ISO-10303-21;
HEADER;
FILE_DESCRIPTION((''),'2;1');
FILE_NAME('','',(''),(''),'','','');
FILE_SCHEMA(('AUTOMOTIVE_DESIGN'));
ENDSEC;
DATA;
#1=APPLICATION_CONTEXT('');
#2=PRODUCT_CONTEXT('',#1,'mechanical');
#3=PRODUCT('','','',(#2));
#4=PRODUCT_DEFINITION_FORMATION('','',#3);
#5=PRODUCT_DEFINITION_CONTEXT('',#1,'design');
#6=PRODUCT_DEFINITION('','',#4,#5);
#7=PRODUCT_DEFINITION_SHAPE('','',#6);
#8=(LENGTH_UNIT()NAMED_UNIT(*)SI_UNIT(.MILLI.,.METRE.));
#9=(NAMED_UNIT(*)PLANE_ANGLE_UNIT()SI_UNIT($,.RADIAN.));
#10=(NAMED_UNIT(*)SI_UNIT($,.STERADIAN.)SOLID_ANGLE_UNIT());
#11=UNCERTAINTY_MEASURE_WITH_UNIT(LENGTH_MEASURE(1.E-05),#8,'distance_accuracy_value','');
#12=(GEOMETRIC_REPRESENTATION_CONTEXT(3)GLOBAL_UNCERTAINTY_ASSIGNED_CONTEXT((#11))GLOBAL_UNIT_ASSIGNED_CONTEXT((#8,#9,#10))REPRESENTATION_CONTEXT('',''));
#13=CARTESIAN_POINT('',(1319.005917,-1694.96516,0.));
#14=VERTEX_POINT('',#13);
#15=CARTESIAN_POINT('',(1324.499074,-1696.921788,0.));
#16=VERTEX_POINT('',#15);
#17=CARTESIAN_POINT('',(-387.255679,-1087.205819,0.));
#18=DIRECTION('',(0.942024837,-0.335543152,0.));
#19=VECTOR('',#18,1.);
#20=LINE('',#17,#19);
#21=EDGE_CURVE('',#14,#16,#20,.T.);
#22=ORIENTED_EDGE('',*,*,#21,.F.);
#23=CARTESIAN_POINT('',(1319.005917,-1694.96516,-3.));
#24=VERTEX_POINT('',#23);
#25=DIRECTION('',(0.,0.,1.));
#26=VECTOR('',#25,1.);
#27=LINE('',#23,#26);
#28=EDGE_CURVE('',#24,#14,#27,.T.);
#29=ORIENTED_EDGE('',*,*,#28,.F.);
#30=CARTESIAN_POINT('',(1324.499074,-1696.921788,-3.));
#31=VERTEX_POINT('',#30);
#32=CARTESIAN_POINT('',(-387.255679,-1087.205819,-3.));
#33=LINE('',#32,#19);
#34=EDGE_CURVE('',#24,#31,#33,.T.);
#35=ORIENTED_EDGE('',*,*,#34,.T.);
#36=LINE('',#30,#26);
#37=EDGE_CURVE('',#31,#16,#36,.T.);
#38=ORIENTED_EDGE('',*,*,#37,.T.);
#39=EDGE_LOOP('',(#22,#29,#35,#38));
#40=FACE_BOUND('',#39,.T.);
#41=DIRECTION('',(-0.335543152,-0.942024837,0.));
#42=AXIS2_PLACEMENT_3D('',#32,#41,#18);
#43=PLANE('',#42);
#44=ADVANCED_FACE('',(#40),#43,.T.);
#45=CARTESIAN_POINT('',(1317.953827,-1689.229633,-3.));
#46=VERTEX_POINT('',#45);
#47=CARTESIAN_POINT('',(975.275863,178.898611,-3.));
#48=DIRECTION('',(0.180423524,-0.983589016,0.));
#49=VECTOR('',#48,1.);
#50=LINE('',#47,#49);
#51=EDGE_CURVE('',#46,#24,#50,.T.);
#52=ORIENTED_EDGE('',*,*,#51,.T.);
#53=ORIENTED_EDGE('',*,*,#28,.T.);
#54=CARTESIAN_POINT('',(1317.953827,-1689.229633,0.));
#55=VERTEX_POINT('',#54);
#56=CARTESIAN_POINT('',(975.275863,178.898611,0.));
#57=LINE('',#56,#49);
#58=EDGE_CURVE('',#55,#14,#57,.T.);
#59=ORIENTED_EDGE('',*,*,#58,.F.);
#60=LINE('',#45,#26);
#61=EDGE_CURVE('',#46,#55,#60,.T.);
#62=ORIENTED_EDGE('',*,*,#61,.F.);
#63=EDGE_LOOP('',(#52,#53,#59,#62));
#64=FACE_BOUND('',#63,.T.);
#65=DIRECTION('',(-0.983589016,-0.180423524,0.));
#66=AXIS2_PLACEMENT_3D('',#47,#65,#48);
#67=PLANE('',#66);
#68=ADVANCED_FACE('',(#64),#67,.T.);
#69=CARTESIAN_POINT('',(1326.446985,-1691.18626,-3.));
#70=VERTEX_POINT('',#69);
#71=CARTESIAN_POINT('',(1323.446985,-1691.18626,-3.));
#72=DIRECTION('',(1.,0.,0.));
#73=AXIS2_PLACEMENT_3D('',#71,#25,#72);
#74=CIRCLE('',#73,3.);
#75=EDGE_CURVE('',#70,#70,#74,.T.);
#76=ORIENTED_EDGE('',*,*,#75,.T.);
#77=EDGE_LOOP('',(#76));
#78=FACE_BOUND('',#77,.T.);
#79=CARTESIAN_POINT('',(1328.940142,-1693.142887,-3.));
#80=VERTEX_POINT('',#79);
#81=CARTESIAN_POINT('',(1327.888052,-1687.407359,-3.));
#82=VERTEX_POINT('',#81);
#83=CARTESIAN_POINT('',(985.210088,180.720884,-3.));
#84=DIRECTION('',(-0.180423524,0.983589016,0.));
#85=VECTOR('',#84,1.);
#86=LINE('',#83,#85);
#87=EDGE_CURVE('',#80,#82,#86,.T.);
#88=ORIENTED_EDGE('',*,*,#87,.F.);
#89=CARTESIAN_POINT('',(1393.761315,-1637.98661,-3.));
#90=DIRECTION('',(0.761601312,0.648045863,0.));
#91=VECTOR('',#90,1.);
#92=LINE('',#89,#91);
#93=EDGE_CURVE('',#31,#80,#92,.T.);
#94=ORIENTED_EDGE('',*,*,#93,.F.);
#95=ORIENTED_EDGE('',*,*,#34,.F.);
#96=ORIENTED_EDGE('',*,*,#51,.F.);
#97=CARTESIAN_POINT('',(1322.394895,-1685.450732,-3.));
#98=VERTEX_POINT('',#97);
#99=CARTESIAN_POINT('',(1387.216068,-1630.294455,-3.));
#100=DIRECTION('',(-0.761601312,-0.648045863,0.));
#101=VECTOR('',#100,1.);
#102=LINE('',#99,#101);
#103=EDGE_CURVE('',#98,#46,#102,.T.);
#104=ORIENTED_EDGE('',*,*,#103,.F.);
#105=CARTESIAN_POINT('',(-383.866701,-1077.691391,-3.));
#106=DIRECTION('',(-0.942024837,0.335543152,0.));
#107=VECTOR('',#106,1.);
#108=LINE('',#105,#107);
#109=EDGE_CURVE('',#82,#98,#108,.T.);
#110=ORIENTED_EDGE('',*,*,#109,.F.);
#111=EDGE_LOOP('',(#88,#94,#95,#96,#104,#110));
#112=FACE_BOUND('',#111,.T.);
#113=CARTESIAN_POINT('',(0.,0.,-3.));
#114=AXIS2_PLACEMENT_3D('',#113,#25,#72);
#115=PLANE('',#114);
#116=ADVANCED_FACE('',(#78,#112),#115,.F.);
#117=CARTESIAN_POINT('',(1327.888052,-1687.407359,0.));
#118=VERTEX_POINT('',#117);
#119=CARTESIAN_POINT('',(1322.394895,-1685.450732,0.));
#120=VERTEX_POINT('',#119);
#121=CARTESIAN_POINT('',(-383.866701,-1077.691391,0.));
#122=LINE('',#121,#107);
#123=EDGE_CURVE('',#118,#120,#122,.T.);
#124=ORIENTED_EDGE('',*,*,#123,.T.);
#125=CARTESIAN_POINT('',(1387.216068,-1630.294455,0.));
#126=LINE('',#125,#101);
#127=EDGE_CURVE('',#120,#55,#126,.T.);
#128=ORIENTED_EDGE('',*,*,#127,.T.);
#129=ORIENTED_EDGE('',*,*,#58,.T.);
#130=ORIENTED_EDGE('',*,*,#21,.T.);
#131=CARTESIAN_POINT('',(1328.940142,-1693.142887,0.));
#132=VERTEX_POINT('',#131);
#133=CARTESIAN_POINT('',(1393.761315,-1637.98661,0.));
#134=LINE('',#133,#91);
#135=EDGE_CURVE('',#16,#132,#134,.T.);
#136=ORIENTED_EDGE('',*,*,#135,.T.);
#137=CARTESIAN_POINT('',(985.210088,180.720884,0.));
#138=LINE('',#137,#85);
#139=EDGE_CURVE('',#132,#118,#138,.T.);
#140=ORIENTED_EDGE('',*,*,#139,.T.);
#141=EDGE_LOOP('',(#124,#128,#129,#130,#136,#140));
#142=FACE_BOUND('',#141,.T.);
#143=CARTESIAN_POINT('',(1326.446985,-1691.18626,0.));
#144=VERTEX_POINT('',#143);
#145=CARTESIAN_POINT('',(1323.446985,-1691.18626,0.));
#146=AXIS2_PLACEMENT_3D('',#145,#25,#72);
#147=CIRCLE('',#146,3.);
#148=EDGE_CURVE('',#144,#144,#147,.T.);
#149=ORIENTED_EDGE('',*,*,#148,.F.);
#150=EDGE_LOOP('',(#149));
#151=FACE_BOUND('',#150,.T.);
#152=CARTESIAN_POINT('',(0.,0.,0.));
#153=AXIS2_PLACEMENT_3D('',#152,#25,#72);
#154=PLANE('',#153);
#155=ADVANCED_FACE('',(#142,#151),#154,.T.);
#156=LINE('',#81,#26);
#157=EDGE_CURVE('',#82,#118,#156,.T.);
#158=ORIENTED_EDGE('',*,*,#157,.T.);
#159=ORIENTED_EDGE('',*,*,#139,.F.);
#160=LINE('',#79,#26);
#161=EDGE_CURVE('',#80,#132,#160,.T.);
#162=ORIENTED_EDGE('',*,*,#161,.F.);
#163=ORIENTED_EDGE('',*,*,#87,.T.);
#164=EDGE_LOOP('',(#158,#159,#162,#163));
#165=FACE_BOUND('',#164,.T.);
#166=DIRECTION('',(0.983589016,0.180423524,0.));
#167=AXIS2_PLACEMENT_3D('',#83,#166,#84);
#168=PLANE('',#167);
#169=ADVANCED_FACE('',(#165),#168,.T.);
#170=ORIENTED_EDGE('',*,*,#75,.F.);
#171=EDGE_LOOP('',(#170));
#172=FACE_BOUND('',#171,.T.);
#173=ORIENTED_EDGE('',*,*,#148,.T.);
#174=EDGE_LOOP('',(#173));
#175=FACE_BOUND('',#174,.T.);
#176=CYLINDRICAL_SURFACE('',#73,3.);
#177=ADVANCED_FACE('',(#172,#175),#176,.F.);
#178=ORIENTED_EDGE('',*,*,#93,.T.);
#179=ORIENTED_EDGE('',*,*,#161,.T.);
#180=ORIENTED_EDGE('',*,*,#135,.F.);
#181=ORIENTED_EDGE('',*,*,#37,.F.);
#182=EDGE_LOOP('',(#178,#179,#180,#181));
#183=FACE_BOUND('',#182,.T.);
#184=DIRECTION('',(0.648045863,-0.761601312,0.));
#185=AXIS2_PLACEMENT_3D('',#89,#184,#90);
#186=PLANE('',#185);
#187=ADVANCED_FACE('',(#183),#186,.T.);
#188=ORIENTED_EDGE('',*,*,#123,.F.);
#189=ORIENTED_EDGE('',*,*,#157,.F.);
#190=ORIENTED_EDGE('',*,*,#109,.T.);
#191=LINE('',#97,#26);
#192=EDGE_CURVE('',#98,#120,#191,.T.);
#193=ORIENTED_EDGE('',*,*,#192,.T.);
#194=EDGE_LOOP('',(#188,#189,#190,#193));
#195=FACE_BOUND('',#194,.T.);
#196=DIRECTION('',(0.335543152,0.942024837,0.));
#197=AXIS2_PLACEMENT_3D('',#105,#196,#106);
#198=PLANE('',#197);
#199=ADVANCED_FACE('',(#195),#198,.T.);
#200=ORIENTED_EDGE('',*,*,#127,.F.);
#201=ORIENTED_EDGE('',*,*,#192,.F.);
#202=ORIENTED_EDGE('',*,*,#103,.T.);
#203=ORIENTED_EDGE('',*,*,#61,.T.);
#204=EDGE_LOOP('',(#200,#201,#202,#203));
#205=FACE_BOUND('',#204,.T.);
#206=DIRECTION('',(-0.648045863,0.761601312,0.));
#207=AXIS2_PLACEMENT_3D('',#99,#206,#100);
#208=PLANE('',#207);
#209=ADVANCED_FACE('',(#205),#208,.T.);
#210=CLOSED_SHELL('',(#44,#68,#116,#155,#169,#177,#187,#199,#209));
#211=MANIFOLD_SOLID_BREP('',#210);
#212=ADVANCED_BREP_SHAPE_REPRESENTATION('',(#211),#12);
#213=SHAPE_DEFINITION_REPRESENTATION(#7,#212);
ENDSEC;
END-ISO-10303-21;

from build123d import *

# Parameters (mm, degrees)
SKETCH1_R           = 3
BOSS_EXTRUDE1_DEPTH = 3


with BuildPart() as part:
    # Sketch1 → Boss-Extrude1 (new body)
    # profile 1 of 7: a face of its own
    with BuildSketch(Plane.XY):
        with BuildLine():
            ThreePointArc((1328.13150473, -1693.072432874), (1328.496972448, -1691.186259901), (1328.13150473, -1689.300086927))
            Line((1328.13150473, -1689.300086927), (1327.422718332, -1688.072432874))
            ThreePointArc((1327.422718332, -1688.072432874), (1325.97197848, -1686.812842059), (1324.15577091, -1686.186259901))
            Line((1324.15577091, -1686.186259901), (1322.738198114, -1686.186259901))
            ThreePointArc((1322.738198114, -1686.186259901), (1320.921990544, -1686.812842059), (1319.471250692, -1688.072432874))
            Line((1319.471250692, -1688.072432874), (1318.762464294, -1689.300086927))
            ThreePointArc((1318.762464294, -1689.300086927), (1318.396996575, -1691.186259901), (1318.762464294, -1693.072432874))
            Line((1318.762464294, -1693.072432874), (1319.471250692, -1694.300086927))
            ThreePointArc((1319.471250692, -1694.300086927), (1320.921990544, -1695.559677742), (1322.738198114, -1696.186259901))
            Line((1322.738198114, -1696.186259901), (1324.15577091, -1696.186259901))
            ThreePointArc((1324.15577091, -1696.186259901), (1325.97197848, -1695.559677742), (1327.422718332, -1694.300086927))
            Line((1327.422718332, -1694.300086927), (1328.13150473, -1693.072432874))
        make_face()
        with Locations((1323.446984512, -1691.186259901)):
            Circle(SKETCH1_R, mode=Mode.SUBTRACT)
    # profile 2 of 7: a face of its own
    with BuildSketch(Plane.XY):
        with BuildLine():
            Line((1321.752495925, -1695.943474063), (1324.499074459, -1696.921787568))
            Line((1324.499074459, -1696.921787568), (1326.719608123, -1695.032337494))
            ThreePointArc((1326.719608123, -1695.032337494), (1325.519613433, -1695.791320976), (1324.15577091, -1696.186259901))
            Line((1324.15577091, -1696.186259901), (1322.738198114, -1696.186259901))
            ThreePointArc((1322.738198114, -1696.186259901), (1322.239230852, -1696.089698414), (1321.752495925, -1695.943474063))
        make_face()
    # profile 3 of 7: a face of its own
    with BuildSketch(Plane.XY):
        with BuildLine():
            ThreePointArc((1327.422718332, -1694.300086927), (1327.089609813, -1694.683924703), (1326.719608123, -1695.032337494))
            Line((1326.719608123, -1695.032337494), (1328.940142149, -1693.142887113))
            Line((1328.940142149, -1693.142887113), (1328.414095669, -1690.275115064))
            ThreePointArc((1328.414095669, -1690.275115064), (1328.471399282, -1691.693836867), (1328.13150473, -1693.072432874))
            Line((1328.13150473, -1693.072432874), (1327.422718332, -1694.300086927))
        make_face()
    # profile 4 of 7: a face of its own
    with BuildSketch(Plane.XY):
        with BuildLine():
            ThreePointArc((1328.13150473, -1689.300086927), (1328.29736254, -1689.780482129), (1328.414095669, -1690.275115064))
            Line((1328.414095669, -1690.275115064), (1327.888052202, -1687.407359446))
            Line((1327.888052202, -1687.407359446), (1325.141464891, -1686.429042814))
            ThreePointArc((1325.141464891, -1686.429042814), (1326.398766175, -1687.08877736), (1327.422718332, -1688.072432874))
            Line((1327.422718332, -1688.072432874), (1328.13150473, -1689.300086927))
        make_face()
    # profile 5 of 7: a face of its own
    with BuildSketch(Plane.XY):
        with BuildLine():
            ThreePointArc((1324.15577091, -1686.186259901), (1324.654733942, -1686.282820345), (1325.141464891, -1686.429042814))
            Line((1325.141464891, -1686.429042814), (1322.394894565, -1685.450732233))
            Line((1322.394894565, -1685.450732233), (1320.17435296, -1687.340189064))
            ThreePointArc((1320.17435296, -1687.340189064), (1321.374350836, -1686.581200964), (1322.738198114, -1686.186259901))
            Line((1322.738198114, -1686.186259901), (1324.15577091, -1686.186259901))
        make_face()
    # profile 6 of 7: a face of its own
    with BuildSketch(Plane.XY):
        with BuildLine():
            Line((1317.953826874, -1689.229632688), (1318.479872929, -1692.097402415))
            ThreePointArc((1318.479872929, -1692.097402415), (1318.42256986, -1690.67868176), (1318.762464294, -1689.300086927))
            Line((1318.762464294, -1689.300086927), (1319.471250692, -1688.072432874))
            ThreePointArc((1319.471250692, -1688.072432874), (1319.8043556, -1687.688598858), (1320.17435296, -1687.340189064))
            Line((1320.17435296, -1687.340189064), (1317.953826874, -1689.229632688))
        make_face()
    # profile 7 of 7: a face of its own
    with BuildSketch(Plane.XY):
        with BuildLine():
            Line((1319.005916822, -1694.965160355), (1321.752495925, -1695.943474063))
            ThreePointArc((1321.752495925, -1695.943474063), (1320.495199314, -1695.283739895), (1319.471250692, -1694.300086927))
            Line((1319.471250692, -1694.300086927), (1318.762464294, -1693.072432874))
            ThreePointArc((1318.762464294, -1693.072432874), (1318.596606155, -1692.592036538), (1318.479872929, -1692.097402415))
            Line((1318.479872929, -1692.097402415), (1319.005916822, -1694.965160355))
        make_face()
    extrude(amount=-BOSS_EXTRUDE1_DEPTH)


solid = part.part
